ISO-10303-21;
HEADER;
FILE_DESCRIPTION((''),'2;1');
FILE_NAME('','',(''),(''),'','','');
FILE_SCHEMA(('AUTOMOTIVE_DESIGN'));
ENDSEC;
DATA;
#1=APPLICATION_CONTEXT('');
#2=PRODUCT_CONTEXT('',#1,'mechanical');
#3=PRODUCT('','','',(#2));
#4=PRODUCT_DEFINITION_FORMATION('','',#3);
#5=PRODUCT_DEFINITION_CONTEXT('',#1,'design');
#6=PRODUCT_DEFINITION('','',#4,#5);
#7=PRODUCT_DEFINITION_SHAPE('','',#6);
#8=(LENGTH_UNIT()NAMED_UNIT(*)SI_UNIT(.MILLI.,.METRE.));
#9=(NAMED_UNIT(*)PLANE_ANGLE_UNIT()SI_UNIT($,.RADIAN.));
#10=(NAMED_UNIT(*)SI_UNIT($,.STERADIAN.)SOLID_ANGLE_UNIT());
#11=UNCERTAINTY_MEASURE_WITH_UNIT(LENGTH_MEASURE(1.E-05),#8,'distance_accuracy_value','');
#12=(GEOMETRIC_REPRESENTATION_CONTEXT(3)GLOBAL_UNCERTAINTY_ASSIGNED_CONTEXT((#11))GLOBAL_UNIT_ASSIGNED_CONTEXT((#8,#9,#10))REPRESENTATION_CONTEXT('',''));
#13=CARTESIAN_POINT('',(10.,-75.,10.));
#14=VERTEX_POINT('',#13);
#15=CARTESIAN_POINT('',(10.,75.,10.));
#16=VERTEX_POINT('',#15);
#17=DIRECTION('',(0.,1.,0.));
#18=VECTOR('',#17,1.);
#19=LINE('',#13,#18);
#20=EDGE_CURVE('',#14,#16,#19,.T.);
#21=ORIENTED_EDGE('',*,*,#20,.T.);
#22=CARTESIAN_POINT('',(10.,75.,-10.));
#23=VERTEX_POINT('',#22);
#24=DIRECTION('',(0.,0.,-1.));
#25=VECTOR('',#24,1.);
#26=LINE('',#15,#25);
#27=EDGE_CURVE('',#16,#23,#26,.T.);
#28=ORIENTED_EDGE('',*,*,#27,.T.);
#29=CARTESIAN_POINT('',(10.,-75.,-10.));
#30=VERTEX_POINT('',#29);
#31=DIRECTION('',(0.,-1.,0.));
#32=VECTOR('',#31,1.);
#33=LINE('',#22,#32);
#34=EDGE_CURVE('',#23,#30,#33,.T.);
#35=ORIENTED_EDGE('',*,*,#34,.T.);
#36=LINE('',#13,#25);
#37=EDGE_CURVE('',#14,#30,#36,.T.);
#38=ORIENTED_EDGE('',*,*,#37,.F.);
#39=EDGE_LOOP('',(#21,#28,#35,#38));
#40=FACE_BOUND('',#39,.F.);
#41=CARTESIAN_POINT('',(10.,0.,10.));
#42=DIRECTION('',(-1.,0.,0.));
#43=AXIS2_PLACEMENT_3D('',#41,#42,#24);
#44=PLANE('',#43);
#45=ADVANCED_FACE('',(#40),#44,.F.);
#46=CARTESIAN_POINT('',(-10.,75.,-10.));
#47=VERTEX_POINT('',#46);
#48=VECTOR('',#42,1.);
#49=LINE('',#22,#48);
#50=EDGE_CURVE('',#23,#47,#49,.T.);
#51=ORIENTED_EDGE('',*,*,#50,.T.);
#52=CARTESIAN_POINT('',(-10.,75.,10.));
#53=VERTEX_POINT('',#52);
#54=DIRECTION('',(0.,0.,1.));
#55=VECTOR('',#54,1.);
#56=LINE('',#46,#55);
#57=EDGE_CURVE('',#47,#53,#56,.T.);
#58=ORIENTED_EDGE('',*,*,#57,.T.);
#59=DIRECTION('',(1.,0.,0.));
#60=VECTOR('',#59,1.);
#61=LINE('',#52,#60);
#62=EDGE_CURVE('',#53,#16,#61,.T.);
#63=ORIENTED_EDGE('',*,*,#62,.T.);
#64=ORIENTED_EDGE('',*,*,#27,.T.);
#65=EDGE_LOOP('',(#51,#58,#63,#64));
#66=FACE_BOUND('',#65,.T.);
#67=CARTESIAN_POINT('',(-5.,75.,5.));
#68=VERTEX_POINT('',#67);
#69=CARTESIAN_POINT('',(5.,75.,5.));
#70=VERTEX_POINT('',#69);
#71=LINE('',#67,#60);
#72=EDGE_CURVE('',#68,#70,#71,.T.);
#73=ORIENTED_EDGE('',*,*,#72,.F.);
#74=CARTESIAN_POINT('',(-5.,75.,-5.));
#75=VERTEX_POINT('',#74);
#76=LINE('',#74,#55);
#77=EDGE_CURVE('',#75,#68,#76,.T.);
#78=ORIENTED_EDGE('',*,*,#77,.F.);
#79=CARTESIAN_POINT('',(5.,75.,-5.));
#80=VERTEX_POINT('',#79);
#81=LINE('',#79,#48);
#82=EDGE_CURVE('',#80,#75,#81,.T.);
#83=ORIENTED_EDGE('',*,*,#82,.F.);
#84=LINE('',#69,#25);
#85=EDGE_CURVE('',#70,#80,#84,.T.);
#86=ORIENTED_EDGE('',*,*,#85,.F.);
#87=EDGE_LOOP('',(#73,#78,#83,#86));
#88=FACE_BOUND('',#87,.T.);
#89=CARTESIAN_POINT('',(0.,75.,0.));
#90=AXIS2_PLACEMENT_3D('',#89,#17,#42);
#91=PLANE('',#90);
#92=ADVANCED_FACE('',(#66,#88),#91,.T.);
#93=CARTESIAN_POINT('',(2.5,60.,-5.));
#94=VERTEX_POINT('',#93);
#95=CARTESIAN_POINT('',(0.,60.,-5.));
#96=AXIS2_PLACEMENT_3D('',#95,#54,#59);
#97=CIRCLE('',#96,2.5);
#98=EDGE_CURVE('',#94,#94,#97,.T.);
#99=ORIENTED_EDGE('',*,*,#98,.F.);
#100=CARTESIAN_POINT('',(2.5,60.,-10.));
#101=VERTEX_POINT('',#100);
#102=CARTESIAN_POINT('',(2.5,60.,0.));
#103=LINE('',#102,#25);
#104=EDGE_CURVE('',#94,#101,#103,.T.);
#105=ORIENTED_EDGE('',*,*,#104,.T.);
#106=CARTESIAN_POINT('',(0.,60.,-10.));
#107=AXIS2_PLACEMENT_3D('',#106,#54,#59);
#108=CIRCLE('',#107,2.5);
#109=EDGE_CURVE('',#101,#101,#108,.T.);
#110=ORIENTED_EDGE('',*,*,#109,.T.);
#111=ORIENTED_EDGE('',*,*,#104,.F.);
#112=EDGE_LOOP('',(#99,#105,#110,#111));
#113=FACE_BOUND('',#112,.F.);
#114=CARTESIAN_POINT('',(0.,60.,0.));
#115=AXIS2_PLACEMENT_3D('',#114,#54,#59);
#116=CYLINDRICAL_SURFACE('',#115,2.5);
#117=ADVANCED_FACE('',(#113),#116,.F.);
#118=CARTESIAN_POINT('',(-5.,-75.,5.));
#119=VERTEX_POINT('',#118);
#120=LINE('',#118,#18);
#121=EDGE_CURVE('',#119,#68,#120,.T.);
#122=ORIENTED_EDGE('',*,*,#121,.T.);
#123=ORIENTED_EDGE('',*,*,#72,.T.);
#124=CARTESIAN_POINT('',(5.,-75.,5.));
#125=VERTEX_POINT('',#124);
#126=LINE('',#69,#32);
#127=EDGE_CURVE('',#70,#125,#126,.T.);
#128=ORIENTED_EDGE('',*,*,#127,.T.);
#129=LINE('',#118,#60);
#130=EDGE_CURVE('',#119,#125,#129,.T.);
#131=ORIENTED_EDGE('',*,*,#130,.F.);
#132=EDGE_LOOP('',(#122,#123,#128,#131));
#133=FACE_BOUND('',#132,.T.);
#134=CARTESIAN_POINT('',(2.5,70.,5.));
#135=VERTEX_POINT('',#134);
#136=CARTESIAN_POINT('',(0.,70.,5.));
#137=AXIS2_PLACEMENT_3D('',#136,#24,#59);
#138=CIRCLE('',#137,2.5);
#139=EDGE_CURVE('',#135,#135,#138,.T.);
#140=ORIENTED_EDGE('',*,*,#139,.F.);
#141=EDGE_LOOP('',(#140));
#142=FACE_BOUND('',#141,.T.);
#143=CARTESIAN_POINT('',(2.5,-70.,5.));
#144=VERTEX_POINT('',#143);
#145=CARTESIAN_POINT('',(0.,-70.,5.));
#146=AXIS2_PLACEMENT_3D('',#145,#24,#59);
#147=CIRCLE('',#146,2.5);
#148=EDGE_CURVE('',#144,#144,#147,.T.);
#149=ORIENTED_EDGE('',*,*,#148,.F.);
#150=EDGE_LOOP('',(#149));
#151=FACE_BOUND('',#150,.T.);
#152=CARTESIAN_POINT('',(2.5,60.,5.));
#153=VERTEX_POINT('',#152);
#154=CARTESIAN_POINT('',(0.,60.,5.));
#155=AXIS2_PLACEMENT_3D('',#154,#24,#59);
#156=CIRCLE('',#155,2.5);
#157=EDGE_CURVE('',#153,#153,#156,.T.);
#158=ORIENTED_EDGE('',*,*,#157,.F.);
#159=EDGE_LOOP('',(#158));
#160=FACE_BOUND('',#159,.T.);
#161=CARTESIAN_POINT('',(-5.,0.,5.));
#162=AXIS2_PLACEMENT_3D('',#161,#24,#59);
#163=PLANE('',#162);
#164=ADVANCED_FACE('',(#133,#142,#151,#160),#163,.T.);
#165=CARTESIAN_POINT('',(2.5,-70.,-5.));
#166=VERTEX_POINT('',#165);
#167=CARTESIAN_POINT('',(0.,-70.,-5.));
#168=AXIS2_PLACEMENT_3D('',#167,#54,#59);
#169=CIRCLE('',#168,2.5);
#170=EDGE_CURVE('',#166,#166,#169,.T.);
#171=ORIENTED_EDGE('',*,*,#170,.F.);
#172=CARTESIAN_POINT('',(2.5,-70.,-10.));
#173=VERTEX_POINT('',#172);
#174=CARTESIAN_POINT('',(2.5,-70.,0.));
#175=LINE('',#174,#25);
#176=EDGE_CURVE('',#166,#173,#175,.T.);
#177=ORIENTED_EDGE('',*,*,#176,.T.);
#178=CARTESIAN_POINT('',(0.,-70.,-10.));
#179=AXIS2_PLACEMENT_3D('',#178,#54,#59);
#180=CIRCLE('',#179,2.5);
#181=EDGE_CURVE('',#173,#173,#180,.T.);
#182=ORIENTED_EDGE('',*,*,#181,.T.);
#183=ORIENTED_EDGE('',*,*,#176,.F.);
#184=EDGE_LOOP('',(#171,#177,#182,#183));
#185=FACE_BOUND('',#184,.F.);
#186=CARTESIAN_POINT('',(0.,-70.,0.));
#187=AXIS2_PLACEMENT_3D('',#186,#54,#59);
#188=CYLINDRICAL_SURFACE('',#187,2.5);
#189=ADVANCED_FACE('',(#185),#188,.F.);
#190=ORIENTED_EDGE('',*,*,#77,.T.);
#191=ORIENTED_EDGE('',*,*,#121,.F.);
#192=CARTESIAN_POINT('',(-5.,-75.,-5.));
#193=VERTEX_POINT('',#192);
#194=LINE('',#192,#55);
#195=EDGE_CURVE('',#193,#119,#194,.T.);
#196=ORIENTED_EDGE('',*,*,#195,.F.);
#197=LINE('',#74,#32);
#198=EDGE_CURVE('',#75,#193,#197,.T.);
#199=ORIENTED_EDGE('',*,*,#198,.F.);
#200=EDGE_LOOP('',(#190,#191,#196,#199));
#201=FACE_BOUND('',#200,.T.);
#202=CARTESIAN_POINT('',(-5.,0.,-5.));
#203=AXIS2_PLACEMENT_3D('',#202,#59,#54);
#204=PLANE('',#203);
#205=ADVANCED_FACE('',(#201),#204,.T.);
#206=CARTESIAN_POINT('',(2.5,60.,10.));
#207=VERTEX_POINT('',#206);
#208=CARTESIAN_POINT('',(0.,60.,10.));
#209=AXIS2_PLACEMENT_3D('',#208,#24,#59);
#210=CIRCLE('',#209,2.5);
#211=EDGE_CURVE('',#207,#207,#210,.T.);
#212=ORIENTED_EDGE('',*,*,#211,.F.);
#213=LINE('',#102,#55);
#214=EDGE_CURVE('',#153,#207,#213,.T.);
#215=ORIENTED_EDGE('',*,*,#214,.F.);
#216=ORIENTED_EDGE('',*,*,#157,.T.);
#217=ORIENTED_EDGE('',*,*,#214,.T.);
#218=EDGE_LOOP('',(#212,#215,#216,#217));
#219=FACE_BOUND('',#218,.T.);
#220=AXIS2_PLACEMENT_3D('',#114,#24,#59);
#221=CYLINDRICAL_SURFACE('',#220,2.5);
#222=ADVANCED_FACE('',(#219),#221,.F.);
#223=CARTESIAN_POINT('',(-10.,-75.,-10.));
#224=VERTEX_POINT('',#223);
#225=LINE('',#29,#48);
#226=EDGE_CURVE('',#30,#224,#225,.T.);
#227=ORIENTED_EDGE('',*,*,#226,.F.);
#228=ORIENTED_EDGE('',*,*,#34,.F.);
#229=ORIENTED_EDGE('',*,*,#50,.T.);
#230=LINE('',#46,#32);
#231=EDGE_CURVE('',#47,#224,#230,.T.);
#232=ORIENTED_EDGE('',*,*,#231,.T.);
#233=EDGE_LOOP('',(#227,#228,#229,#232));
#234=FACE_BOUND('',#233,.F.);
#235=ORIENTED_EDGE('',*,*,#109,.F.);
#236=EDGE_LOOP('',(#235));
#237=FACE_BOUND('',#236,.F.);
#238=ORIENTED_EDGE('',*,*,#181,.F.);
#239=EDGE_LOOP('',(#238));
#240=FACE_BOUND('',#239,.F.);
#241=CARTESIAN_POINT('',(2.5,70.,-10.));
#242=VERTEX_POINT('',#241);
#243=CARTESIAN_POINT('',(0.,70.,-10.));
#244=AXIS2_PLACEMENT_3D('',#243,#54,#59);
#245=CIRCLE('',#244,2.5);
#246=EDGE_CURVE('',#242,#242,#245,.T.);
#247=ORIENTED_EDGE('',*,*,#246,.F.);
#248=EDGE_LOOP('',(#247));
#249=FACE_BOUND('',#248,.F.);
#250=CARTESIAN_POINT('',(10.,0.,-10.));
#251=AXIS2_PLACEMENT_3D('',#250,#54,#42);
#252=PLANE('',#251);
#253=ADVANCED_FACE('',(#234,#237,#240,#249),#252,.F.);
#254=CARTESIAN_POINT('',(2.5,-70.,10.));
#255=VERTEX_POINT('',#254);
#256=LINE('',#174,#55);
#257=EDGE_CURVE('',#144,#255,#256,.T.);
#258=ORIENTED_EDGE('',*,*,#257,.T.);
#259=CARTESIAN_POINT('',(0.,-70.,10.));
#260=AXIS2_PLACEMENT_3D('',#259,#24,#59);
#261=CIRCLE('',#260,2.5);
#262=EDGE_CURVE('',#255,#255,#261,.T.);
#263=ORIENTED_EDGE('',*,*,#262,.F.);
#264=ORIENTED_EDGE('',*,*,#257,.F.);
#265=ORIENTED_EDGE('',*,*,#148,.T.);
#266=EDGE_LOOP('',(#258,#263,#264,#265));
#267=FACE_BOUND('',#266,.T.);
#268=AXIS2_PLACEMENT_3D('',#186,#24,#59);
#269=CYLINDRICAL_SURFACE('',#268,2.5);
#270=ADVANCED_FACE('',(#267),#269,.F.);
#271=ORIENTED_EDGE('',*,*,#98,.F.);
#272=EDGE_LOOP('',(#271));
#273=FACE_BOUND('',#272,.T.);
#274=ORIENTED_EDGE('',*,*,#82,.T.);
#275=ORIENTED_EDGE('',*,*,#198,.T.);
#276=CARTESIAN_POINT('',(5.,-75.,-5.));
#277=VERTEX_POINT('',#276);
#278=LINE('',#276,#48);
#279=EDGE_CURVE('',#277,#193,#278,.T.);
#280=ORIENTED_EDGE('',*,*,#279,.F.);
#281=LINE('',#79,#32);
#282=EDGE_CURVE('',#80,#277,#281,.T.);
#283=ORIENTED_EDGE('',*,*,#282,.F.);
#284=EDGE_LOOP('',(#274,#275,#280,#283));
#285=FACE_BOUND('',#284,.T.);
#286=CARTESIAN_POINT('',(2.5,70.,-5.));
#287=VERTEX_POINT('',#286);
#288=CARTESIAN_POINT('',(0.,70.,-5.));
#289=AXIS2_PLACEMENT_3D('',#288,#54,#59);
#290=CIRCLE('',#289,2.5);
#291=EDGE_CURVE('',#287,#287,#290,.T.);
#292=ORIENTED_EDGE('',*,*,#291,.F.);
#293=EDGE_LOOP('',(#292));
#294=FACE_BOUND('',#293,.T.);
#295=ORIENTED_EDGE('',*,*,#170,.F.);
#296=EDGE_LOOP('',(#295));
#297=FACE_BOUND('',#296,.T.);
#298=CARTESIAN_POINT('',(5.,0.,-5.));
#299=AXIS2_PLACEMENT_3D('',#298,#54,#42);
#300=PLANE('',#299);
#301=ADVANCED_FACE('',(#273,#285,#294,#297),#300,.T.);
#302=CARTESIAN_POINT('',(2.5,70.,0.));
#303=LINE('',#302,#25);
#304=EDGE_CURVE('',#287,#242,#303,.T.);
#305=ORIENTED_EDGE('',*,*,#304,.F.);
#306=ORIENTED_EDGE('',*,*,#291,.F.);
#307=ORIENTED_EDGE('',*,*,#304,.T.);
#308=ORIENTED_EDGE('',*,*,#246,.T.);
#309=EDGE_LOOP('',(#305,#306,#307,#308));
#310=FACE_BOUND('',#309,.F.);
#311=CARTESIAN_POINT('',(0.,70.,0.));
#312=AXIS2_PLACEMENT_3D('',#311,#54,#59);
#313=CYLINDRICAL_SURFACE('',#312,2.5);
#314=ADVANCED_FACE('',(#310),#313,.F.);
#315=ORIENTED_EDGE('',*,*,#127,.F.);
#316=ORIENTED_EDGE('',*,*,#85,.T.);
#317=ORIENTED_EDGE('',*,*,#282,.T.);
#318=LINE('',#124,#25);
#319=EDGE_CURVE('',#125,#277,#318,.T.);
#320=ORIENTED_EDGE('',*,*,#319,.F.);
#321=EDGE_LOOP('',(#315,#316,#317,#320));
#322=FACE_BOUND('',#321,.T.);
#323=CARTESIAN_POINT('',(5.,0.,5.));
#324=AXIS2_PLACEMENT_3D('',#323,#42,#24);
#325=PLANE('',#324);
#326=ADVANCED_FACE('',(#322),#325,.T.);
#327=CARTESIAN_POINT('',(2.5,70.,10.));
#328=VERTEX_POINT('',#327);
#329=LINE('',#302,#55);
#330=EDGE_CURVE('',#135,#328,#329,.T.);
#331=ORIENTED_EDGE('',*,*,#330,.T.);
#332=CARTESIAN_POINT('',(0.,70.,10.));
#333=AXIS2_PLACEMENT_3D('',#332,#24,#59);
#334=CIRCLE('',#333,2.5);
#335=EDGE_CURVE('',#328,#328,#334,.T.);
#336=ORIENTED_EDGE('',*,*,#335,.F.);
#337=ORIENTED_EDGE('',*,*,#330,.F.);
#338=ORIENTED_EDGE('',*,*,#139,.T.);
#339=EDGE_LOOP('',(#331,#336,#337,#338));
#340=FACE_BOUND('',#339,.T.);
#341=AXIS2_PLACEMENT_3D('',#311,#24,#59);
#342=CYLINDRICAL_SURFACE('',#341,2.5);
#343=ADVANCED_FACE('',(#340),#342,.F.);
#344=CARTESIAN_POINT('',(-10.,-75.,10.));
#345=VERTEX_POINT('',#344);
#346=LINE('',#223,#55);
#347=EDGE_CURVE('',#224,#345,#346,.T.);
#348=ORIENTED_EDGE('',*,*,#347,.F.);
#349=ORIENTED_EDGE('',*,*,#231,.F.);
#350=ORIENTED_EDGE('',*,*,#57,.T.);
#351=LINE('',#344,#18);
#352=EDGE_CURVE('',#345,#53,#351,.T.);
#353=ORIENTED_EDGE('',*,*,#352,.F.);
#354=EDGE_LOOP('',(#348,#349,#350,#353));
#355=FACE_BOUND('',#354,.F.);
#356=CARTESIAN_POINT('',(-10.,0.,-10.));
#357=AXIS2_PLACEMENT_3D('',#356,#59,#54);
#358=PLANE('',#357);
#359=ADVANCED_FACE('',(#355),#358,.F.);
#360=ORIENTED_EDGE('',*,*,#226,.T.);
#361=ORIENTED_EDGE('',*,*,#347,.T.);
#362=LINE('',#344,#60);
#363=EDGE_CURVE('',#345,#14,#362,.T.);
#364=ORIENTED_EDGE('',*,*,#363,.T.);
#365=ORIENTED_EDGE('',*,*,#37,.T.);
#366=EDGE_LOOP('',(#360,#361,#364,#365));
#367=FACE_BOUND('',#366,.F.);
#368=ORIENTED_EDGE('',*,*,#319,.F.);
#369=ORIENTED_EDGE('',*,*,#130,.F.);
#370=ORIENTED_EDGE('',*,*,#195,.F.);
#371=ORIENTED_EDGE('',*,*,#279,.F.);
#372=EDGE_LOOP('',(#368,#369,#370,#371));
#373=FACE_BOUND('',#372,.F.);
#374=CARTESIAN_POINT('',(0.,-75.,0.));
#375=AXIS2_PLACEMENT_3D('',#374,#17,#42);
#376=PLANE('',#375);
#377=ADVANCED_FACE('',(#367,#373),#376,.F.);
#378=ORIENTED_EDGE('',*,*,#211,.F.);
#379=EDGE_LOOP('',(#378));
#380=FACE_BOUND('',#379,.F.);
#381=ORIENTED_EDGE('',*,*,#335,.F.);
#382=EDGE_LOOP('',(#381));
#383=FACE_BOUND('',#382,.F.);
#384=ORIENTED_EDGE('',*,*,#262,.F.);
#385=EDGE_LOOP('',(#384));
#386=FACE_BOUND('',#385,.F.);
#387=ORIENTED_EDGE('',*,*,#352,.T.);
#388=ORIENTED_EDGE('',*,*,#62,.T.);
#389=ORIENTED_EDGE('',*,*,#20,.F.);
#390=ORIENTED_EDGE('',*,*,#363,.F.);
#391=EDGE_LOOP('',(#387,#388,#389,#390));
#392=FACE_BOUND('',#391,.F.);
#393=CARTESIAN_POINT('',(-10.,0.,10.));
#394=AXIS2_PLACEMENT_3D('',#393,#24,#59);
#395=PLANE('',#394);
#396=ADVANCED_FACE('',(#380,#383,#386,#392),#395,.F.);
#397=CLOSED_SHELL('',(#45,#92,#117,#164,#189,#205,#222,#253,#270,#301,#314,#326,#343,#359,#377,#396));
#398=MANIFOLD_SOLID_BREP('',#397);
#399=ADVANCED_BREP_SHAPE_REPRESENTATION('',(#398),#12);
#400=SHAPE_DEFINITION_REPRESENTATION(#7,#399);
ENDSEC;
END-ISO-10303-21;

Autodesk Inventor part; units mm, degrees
ref_plane "YZ Plane" through (0, 0, 0) normal (1, 0, 0) x (0, 1, 0)
ref_plane "XZ Plane" through (0, 0, 0) normal (0, 1, 0) x (-1, 0, 0)
ref_plane "XY Plane" through (0, 0, 0) normal (0, 0, 1) x (1, 0, 0)
sketch "Schizzo2" plane through (0, 0, 0) normal (0, 1, 0) x (-1, 0, 0)
  line L0 (10, 10) -> (-10, 10)
  line L1 (-10, 10) -> (-10, -10)
  line L2 (-10, -10) -> (10, -10)
  line L3 (10, -10) -> (10, 10)
  line L4 (0, 0) -> (12.3098, 0) construction
  line L5 (0, 0) -> (0, -18.6141) construction
  line L6 (5, 5) -> (-5, 5)
  line L7 (-5, 5) -> (-5, -5)
  line L8 (-5, -5) -> (5, -5)
  line L9 (5, -5) -> (5, 5)
  dimension "d0" = 20
  dimension "d1" = 5
extrude "Estrusione1" add sketch "Schizzo2" along normal mid plane 150
sketch "Schizzo3" plane through (0, 0, 0) normal (0, 0, 1) x (1, 0, 0)
  line L0 (-10, -75) -> (-10, 75) projected
  line L1 (10, -75) -> (-10, -75) projected
  line L2 (-10, 75) -> (10, 75) projected
  line L3 (10, 75) -> (10, -75) projected
  line L4 (0, 0) -> (0, 99.3871) construction
  line L5 (0, 0) -> (72.2632, 0) construction
  circle A0 centre (0, 70) radius 2.5
  circle A1 centre (0, -70) radius 2.5
  circle A2 centre (0, 60) radius 2.5
  dimension "d4" = 5
  dimension "d5" = 5
  dimension "d8" = 5
  dimension "d9" = 10
extrude "Estrusione2" cut sketch "Schizzo3" along normal through all both and the other way through all contours A0 | A1 | A2
properties part number "asta"
